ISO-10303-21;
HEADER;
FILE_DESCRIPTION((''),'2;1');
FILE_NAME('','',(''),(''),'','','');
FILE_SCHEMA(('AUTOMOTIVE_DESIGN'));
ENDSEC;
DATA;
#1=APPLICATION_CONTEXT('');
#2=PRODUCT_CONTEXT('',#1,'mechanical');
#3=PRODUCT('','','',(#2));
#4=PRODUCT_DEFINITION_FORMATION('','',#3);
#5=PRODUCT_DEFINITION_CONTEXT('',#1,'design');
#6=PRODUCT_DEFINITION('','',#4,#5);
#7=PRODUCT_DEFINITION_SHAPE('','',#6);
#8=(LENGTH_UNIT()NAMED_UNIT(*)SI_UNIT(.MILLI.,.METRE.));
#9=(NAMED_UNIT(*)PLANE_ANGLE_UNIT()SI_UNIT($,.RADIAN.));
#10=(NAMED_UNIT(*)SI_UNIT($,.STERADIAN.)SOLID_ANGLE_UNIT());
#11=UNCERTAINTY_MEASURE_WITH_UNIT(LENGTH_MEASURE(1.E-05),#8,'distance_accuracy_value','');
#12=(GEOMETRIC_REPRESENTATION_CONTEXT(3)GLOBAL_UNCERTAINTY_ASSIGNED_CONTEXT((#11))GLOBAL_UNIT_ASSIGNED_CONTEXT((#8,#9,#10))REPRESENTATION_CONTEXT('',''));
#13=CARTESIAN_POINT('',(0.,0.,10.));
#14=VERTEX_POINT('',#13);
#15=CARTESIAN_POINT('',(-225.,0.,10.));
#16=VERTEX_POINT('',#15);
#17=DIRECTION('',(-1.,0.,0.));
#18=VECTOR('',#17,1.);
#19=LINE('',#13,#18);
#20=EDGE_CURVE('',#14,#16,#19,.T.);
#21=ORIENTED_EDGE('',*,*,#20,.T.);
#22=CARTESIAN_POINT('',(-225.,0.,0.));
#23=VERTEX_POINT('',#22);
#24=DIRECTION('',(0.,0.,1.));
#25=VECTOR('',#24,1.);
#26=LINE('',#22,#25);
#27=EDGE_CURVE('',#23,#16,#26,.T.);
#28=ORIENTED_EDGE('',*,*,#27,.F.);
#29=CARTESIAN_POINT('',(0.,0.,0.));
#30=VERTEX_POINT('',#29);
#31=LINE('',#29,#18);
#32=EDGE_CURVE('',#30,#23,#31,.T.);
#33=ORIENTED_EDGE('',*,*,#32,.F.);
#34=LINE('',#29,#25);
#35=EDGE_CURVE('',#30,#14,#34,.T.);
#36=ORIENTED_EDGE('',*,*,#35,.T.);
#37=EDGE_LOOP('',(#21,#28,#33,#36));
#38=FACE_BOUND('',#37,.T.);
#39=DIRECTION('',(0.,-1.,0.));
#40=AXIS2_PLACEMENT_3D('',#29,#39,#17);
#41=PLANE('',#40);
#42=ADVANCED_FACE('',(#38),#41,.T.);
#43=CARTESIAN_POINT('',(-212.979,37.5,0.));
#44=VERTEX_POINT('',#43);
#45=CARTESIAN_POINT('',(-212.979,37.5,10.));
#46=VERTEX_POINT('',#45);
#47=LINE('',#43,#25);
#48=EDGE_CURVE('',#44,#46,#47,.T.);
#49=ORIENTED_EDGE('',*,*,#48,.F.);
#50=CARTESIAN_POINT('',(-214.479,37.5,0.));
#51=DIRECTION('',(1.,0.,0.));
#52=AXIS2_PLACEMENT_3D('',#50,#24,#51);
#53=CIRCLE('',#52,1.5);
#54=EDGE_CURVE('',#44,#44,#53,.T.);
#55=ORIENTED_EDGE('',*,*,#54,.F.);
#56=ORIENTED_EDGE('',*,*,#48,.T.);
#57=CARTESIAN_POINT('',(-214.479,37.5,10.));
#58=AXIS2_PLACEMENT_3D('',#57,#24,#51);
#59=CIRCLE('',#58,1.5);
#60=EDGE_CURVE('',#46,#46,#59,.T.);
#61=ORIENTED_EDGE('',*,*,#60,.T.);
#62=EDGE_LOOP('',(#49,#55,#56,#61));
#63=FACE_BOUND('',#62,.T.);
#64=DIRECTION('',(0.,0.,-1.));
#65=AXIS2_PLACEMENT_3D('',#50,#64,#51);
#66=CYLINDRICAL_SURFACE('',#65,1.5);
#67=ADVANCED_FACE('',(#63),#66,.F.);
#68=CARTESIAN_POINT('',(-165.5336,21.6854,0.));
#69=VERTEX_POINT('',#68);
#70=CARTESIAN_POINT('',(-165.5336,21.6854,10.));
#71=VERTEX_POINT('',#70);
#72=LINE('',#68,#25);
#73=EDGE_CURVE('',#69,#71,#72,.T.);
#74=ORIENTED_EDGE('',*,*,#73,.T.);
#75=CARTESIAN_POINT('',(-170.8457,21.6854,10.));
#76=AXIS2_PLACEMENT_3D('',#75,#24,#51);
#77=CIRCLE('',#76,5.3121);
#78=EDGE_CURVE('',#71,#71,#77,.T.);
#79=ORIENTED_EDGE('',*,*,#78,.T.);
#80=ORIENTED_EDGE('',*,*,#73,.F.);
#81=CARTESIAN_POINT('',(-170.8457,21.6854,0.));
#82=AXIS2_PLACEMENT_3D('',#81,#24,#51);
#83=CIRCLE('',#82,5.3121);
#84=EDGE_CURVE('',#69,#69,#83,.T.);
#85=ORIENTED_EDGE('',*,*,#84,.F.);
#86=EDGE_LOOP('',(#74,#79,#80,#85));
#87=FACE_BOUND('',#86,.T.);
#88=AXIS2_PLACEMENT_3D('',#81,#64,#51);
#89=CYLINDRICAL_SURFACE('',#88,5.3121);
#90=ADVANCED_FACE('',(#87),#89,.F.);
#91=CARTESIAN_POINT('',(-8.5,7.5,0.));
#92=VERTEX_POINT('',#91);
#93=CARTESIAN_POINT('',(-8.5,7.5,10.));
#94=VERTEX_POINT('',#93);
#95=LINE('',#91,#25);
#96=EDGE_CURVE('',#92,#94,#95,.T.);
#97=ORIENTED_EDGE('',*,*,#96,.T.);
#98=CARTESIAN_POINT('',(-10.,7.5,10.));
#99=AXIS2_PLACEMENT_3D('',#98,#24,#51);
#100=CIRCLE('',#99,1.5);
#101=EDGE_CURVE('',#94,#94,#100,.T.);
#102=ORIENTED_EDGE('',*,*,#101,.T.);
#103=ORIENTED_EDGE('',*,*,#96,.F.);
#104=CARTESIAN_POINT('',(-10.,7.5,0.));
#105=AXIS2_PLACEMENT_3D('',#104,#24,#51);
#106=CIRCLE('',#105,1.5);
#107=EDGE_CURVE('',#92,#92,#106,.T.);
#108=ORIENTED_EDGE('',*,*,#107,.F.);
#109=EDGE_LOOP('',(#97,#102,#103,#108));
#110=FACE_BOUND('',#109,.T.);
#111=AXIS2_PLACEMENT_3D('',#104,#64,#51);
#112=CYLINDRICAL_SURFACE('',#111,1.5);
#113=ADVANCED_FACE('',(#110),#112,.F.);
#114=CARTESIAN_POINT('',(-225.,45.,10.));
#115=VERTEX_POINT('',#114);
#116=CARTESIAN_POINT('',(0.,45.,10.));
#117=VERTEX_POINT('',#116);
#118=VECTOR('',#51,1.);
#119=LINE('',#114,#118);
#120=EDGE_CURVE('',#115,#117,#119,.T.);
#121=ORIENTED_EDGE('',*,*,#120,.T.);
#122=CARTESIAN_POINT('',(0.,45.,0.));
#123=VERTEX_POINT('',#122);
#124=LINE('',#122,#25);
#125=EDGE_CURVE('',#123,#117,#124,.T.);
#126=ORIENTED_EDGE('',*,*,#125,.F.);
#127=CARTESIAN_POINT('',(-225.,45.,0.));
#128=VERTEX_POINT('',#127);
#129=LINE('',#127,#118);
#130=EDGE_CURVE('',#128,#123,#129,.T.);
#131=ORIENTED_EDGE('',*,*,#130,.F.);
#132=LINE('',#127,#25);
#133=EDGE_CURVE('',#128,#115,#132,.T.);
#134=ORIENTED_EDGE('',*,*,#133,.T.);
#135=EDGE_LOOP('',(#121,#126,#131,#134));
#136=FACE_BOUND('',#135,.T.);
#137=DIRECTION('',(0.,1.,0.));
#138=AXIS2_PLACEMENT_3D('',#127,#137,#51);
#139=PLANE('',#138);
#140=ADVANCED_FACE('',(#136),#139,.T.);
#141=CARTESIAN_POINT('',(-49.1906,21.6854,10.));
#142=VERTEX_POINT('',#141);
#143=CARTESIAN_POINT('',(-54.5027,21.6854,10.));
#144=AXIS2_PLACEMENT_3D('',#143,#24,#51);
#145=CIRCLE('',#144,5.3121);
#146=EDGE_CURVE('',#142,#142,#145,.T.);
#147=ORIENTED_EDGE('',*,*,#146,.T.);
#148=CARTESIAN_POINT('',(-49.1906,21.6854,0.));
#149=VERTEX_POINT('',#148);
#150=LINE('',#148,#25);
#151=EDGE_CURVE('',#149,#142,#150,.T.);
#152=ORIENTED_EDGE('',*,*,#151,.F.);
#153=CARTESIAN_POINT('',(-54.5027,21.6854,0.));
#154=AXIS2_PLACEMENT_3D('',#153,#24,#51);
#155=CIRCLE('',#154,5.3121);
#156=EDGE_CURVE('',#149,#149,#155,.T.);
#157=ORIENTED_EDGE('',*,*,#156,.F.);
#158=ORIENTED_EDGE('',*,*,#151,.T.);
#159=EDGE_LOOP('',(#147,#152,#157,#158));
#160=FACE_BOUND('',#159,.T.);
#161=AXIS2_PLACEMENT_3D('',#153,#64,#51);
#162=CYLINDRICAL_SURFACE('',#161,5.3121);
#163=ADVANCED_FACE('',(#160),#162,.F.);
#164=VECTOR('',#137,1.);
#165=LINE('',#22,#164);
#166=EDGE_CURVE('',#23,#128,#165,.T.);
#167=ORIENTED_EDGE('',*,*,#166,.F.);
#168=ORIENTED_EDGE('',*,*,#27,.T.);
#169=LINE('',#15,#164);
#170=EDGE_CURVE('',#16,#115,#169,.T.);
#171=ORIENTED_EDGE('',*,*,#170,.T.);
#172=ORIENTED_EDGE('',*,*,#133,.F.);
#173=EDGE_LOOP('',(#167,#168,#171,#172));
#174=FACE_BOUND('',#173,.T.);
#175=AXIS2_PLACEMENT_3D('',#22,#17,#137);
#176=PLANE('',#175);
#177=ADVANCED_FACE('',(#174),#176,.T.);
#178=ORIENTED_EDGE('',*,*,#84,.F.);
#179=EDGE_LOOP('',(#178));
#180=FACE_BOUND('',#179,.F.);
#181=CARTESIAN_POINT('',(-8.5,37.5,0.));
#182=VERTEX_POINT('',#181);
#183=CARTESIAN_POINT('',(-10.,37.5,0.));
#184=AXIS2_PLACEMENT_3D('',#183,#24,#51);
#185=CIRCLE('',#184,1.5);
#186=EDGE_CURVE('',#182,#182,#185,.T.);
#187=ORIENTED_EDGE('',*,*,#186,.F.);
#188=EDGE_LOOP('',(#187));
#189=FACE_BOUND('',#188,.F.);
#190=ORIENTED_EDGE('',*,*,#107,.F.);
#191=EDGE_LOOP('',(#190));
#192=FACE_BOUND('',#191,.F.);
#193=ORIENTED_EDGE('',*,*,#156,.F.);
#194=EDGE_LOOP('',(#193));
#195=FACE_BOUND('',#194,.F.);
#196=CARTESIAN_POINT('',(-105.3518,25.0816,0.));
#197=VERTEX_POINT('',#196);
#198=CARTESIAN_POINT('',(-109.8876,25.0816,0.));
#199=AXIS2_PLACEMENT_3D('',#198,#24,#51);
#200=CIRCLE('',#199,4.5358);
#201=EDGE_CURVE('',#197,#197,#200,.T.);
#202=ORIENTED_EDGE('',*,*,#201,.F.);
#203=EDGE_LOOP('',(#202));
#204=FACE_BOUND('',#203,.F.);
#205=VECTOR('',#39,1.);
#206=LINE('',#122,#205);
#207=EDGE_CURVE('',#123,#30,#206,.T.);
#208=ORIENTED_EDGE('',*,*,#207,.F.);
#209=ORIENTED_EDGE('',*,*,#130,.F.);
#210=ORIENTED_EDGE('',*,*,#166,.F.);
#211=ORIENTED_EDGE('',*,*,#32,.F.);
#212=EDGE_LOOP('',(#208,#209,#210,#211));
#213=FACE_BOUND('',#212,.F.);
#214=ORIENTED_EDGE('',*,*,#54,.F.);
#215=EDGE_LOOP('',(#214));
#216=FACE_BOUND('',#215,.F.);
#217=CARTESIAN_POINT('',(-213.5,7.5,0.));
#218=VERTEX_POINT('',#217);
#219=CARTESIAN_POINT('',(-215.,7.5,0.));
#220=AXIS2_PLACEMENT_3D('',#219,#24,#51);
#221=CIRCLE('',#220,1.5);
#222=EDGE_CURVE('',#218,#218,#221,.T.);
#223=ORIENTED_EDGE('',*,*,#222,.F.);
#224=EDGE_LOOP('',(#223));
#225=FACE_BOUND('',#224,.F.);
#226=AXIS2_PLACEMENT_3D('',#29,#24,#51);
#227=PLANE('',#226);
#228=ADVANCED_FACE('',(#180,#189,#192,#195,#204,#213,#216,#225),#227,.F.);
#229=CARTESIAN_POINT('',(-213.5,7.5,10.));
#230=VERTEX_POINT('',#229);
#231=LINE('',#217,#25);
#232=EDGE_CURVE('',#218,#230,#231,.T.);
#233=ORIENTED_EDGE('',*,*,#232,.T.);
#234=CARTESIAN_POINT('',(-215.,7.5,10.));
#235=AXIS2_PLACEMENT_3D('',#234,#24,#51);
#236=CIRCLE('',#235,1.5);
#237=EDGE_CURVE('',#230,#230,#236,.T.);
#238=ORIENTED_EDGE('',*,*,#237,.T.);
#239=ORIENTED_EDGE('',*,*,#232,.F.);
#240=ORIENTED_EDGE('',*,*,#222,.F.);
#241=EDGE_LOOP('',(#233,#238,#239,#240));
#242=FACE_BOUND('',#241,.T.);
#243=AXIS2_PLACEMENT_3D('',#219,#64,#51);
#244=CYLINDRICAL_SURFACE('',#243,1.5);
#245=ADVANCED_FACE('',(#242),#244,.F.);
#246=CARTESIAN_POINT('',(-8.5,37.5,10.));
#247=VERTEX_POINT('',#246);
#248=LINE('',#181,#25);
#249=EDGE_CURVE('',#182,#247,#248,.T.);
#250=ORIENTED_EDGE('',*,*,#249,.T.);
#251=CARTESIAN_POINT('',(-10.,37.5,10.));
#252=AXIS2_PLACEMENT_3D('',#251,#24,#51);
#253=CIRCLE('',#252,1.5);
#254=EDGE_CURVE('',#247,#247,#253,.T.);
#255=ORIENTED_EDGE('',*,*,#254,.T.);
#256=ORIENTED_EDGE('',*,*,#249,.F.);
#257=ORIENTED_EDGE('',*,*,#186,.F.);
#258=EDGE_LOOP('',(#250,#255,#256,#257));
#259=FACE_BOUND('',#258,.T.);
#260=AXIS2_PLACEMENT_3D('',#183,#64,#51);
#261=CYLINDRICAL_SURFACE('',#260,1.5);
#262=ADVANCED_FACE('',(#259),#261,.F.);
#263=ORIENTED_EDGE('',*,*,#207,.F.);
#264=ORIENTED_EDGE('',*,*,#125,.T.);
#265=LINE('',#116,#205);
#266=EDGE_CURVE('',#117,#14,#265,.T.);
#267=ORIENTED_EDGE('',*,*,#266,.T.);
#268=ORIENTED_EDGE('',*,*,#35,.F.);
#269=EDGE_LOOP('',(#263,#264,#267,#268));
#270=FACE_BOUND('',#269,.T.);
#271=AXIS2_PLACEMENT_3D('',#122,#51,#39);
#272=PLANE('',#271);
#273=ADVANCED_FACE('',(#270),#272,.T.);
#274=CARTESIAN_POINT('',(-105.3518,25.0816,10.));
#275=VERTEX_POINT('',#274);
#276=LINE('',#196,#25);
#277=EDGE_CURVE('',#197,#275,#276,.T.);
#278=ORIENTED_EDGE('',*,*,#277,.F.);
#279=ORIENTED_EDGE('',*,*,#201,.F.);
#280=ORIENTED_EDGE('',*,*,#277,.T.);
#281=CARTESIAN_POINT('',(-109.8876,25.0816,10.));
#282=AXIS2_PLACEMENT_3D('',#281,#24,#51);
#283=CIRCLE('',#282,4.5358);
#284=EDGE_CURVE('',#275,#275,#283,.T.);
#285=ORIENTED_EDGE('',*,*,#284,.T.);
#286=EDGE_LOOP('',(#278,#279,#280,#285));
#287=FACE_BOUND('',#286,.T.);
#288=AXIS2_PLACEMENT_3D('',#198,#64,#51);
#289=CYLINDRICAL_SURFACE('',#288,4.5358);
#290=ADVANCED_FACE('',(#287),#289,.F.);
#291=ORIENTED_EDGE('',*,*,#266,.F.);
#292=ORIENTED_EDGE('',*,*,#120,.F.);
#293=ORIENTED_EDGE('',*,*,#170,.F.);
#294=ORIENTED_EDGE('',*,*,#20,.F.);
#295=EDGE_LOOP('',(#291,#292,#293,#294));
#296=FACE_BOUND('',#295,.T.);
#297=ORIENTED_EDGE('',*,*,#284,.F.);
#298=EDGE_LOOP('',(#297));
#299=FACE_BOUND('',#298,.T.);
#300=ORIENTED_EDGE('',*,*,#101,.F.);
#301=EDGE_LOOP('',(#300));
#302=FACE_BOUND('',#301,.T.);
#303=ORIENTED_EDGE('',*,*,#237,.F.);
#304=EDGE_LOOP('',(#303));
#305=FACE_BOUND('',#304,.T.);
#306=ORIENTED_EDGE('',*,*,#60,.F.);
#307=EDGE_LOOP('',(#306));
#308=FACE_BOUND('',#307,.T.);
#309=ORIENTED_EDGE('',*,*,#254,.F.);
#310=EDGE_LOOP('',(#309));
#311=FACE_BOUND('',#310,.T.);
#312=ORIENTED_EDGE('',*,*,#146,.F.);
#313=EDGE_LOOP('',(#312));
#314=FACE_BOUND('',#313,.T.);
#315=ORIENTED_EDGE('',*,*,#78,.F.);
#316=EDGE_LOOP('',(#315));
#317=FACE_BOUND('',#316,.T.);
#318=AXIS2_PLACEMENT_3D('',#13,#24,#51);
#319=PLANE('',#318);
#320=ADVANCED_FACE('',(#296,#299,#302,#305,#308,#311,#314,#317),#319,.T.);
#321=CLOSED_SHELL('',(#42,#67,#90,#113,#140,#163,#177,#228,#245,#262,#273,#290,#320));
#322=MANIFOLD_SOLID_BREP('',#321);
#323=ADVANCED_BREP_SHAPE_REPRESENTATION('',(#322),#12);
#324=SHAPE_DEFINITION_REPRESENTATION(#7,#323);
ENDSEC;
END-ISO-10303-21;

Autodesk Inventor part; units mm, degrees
ref_plane "YZ Plane" through (0, 0, 0) normal (1, 0, 0) x (0, 1, 0)
ref_plane "XZ Plane" through (0, 0, 0) normal (0, 1, 0) x (-1, 0, 0)
ref_plane "XY Plane" through (0, 0, 0) normal (0, 0, 1) x (1, 0, 0)
sketch "Sketch1" plane through (0, 0, 0) normal (0, 0, 1) x (1, 0, 0)
  line L0 (0, 0) -> (-225, 0)
  line L1 (-225, 0) -> (-225, 45)
  line L2 (-225, 45) -> (0, 45)
  line L3 (0, 45) -> (0, 0)
  circle A0 centre (-10, 37.5) radius 1.5
  circle A1 centre (-10, 7.5) radius 1.5
  circle A2 centre (-214.479, 37.5) radius 1.5
  circle A3 centre (-215, 7.5) radius 1.5
  circle A4 centre (-109.8876, 25.0816) radius 4.5358
  circle A5 centre (-170.8457, 21.6854) radius 5.3121
  circle A6 centre (-54.5027, 21.6854) radius 5.3121
  dimension "d0" = 45
  dimension "d1" = 225
  dimension "d2" = 30
  dimension "d3" = 3
  dimension "d4" = 3
  dimension "d5" = 7.5
  dimension "d6" = 7.5
  dimension "d7" = 3
  dimension "d8" = 3
  dimension "d9" = 30
  dimension "d10" = 10
  dimension "d11" = 10
extrude "Extrusion1" add sketch "Sketch1" along normal blind 10
equation "\"d6\" = d5"
equation "\"d7\" = d4"
equation "\"d8\" = d7"
equation "\"d9\" = d2"
properties part number "PlateHeatbed"
